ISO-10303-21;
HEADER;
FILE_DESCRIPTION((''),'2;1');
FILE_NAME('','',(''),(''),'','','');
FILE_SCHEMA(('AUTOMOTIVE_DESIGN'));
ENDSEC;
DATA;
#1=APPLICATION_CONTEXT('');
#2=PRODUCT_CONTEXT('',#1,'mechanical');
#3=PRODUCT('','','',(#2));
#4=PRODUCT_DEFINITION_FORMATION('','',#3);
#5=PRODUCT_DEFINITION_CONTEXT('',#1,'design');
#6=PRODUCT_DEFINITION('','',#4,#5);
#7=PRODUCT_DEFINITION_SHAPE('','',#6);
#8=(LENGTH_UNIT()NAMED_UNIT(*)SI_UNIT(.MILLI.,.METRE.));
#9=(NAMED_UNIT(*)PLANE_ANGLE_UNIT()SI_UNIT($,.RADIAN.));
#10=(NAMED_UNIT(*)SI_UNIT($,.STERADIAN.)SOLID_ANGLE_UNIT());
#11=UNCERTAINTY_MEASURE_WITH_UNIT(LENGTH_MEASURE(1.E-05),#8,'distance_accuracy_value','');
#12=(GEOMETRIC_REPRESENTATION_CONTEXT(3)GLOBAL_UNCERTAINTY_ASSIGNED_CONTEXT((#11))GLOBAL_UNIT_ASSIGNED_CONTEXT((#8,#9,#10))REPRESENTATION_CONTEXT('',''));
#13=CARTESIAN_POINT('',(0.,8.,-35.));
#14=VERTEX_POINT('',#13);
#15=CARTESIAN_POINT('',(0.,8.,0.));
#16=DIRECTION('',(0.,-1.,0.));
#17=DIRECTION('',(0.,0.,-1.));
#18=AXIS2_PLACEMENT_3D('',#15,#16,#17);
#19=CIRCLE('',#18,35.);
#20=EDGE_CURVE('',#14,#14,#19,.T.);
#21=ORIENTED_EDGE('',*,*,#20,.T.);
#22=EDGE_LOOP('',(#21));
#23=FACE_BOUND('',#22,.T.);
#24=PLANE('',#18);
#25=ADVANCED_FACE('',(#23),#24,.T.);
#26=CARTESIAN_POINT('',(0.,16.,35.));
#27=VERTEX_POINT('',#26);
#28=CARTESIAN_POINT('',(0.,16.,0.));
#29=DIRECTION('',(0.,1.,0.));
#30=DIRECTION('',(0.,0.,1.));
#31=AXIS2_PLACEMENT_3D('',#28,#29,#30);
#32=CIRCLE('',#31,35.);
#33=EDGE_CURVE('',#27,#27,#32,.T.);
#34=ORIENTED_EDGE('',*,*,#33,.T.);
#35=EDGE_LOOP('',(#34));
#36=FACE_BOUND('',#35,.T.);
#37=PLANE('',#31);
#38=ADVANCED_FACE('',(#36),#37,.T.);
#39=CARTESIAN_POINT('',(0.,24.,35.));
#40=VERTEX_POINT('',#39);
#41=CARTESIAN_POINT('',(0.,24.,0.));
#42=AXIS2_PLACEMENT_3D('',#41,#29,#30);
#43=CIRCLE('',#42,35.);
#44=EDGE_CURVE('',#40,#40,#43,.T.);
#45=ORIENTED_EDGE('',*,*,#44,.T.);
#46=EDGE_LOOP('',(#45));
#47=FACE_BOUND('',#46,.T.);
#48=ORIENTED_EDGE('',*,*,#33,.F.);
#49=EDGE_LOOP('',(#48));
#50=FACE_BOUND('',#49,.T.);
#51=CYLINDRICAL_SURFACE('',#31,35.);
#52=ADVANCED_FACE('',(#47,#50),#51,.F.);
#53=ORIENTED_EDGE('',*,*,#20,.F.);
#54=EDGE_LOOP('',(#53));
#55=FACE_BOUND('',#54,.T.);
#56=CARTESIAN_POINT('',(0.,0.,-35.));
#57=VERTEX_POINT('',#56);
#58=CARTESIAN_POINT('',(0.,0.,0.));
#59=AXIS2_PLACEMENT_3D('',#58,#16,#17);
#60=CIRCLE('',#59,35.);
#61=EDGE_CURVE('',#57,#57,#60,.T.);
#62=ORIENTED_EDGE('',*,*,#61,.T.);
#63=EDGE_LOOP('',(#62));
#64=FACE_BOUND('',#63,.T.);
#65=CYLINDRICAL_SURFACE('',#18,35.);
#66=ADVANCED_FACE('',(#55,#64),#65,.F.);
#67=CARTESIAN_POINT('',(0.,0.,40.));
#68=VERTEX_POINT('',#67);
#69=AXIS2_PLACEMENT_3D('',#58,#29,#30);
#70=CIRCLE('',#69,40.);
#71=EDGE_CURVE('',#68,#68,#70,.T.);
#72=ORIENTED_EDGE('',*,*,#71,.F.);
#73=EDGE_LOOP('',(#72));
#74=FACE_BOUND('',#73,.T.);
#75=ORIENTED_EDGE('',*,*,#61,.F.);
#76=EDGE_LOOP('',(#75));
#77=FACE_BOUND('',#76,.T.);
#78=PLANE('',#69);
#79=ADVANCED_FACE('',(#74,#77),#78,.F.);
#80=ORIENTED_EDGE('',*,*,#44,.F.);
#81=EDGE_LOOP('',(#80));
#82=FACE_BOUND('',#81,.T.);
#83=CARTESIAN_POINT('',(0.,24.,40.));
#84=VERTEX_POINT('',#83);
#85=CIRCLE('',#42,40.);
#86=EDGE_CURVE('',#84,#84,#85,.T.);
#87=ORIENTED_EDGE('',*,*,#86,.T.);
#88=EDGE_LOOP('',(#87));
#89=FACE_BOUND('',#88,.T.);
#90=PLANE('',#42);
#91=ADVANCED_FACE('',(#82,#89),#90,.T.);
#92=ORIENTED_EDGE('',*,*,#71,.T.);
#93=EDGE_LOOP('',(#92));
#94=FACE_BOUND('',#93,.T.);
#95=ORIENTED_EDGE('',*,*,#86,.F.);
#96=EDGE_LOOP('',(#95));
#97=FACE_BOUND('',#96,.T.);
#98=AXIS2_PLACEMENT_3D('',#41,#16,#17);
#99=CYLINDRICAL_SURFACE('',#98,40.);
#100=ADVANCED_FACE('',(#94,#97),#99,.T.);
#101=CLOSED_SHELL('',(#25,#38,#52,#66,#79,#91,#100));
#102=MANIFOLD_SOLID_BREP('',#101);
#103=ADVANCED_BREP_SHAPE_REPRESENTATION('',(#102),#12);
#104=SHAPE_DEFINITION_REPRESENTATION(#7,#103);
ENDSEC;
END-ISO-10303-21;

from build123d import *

# Parameters (mm, degrees)
ESQUISSE1_R             = 40
BOSS_EXTRU_1_DEPTH      = 24
ESQUISSE2_R             = 35
ENL_V_MAT_EXTRU_1_DEPTH = 8
ESQUISSE3_R             = 35
ENL_V_MAT_EXTRU_2_DEPTH = 8


with BuildPart() as part:
    # Esquisse1 → Boss.-Extru.1 (new body)
    with BuildSketch(Plane(origin=(0, 0, 0), x_dir=(1, 0, 0), z_dir=(0, 1, 0))):
        Circle(ESQUISSE1_R)
    extrude(amount=BOSS_EXTRU_1_DEPTH)

    # Esquisse2 → Enlèv. mat.-Extru.1 (cut)
    with BuildSketch(Plane(origin=(0, 24, 0), x_dir=(1, 0, 0), z_dir=(0, 1, 0))):
        Circle(ESQUISSE2_R)
    extrude(amount=-ENL_V_MAT_EXTRU_1_DEPTH, mode=Mode.SUBTRACT)

    # Esquisse3 → Enlèv. mat.-Extru.2 (cut)
    with BuildSketch(Plane.XZ):
        Circle(ESQUISSE3_R)
    extrude(amount=-ENL_V_MAT_EXTRU_2_DEPTH, mode=Mode.SUBTRACT)


solid = part.part
